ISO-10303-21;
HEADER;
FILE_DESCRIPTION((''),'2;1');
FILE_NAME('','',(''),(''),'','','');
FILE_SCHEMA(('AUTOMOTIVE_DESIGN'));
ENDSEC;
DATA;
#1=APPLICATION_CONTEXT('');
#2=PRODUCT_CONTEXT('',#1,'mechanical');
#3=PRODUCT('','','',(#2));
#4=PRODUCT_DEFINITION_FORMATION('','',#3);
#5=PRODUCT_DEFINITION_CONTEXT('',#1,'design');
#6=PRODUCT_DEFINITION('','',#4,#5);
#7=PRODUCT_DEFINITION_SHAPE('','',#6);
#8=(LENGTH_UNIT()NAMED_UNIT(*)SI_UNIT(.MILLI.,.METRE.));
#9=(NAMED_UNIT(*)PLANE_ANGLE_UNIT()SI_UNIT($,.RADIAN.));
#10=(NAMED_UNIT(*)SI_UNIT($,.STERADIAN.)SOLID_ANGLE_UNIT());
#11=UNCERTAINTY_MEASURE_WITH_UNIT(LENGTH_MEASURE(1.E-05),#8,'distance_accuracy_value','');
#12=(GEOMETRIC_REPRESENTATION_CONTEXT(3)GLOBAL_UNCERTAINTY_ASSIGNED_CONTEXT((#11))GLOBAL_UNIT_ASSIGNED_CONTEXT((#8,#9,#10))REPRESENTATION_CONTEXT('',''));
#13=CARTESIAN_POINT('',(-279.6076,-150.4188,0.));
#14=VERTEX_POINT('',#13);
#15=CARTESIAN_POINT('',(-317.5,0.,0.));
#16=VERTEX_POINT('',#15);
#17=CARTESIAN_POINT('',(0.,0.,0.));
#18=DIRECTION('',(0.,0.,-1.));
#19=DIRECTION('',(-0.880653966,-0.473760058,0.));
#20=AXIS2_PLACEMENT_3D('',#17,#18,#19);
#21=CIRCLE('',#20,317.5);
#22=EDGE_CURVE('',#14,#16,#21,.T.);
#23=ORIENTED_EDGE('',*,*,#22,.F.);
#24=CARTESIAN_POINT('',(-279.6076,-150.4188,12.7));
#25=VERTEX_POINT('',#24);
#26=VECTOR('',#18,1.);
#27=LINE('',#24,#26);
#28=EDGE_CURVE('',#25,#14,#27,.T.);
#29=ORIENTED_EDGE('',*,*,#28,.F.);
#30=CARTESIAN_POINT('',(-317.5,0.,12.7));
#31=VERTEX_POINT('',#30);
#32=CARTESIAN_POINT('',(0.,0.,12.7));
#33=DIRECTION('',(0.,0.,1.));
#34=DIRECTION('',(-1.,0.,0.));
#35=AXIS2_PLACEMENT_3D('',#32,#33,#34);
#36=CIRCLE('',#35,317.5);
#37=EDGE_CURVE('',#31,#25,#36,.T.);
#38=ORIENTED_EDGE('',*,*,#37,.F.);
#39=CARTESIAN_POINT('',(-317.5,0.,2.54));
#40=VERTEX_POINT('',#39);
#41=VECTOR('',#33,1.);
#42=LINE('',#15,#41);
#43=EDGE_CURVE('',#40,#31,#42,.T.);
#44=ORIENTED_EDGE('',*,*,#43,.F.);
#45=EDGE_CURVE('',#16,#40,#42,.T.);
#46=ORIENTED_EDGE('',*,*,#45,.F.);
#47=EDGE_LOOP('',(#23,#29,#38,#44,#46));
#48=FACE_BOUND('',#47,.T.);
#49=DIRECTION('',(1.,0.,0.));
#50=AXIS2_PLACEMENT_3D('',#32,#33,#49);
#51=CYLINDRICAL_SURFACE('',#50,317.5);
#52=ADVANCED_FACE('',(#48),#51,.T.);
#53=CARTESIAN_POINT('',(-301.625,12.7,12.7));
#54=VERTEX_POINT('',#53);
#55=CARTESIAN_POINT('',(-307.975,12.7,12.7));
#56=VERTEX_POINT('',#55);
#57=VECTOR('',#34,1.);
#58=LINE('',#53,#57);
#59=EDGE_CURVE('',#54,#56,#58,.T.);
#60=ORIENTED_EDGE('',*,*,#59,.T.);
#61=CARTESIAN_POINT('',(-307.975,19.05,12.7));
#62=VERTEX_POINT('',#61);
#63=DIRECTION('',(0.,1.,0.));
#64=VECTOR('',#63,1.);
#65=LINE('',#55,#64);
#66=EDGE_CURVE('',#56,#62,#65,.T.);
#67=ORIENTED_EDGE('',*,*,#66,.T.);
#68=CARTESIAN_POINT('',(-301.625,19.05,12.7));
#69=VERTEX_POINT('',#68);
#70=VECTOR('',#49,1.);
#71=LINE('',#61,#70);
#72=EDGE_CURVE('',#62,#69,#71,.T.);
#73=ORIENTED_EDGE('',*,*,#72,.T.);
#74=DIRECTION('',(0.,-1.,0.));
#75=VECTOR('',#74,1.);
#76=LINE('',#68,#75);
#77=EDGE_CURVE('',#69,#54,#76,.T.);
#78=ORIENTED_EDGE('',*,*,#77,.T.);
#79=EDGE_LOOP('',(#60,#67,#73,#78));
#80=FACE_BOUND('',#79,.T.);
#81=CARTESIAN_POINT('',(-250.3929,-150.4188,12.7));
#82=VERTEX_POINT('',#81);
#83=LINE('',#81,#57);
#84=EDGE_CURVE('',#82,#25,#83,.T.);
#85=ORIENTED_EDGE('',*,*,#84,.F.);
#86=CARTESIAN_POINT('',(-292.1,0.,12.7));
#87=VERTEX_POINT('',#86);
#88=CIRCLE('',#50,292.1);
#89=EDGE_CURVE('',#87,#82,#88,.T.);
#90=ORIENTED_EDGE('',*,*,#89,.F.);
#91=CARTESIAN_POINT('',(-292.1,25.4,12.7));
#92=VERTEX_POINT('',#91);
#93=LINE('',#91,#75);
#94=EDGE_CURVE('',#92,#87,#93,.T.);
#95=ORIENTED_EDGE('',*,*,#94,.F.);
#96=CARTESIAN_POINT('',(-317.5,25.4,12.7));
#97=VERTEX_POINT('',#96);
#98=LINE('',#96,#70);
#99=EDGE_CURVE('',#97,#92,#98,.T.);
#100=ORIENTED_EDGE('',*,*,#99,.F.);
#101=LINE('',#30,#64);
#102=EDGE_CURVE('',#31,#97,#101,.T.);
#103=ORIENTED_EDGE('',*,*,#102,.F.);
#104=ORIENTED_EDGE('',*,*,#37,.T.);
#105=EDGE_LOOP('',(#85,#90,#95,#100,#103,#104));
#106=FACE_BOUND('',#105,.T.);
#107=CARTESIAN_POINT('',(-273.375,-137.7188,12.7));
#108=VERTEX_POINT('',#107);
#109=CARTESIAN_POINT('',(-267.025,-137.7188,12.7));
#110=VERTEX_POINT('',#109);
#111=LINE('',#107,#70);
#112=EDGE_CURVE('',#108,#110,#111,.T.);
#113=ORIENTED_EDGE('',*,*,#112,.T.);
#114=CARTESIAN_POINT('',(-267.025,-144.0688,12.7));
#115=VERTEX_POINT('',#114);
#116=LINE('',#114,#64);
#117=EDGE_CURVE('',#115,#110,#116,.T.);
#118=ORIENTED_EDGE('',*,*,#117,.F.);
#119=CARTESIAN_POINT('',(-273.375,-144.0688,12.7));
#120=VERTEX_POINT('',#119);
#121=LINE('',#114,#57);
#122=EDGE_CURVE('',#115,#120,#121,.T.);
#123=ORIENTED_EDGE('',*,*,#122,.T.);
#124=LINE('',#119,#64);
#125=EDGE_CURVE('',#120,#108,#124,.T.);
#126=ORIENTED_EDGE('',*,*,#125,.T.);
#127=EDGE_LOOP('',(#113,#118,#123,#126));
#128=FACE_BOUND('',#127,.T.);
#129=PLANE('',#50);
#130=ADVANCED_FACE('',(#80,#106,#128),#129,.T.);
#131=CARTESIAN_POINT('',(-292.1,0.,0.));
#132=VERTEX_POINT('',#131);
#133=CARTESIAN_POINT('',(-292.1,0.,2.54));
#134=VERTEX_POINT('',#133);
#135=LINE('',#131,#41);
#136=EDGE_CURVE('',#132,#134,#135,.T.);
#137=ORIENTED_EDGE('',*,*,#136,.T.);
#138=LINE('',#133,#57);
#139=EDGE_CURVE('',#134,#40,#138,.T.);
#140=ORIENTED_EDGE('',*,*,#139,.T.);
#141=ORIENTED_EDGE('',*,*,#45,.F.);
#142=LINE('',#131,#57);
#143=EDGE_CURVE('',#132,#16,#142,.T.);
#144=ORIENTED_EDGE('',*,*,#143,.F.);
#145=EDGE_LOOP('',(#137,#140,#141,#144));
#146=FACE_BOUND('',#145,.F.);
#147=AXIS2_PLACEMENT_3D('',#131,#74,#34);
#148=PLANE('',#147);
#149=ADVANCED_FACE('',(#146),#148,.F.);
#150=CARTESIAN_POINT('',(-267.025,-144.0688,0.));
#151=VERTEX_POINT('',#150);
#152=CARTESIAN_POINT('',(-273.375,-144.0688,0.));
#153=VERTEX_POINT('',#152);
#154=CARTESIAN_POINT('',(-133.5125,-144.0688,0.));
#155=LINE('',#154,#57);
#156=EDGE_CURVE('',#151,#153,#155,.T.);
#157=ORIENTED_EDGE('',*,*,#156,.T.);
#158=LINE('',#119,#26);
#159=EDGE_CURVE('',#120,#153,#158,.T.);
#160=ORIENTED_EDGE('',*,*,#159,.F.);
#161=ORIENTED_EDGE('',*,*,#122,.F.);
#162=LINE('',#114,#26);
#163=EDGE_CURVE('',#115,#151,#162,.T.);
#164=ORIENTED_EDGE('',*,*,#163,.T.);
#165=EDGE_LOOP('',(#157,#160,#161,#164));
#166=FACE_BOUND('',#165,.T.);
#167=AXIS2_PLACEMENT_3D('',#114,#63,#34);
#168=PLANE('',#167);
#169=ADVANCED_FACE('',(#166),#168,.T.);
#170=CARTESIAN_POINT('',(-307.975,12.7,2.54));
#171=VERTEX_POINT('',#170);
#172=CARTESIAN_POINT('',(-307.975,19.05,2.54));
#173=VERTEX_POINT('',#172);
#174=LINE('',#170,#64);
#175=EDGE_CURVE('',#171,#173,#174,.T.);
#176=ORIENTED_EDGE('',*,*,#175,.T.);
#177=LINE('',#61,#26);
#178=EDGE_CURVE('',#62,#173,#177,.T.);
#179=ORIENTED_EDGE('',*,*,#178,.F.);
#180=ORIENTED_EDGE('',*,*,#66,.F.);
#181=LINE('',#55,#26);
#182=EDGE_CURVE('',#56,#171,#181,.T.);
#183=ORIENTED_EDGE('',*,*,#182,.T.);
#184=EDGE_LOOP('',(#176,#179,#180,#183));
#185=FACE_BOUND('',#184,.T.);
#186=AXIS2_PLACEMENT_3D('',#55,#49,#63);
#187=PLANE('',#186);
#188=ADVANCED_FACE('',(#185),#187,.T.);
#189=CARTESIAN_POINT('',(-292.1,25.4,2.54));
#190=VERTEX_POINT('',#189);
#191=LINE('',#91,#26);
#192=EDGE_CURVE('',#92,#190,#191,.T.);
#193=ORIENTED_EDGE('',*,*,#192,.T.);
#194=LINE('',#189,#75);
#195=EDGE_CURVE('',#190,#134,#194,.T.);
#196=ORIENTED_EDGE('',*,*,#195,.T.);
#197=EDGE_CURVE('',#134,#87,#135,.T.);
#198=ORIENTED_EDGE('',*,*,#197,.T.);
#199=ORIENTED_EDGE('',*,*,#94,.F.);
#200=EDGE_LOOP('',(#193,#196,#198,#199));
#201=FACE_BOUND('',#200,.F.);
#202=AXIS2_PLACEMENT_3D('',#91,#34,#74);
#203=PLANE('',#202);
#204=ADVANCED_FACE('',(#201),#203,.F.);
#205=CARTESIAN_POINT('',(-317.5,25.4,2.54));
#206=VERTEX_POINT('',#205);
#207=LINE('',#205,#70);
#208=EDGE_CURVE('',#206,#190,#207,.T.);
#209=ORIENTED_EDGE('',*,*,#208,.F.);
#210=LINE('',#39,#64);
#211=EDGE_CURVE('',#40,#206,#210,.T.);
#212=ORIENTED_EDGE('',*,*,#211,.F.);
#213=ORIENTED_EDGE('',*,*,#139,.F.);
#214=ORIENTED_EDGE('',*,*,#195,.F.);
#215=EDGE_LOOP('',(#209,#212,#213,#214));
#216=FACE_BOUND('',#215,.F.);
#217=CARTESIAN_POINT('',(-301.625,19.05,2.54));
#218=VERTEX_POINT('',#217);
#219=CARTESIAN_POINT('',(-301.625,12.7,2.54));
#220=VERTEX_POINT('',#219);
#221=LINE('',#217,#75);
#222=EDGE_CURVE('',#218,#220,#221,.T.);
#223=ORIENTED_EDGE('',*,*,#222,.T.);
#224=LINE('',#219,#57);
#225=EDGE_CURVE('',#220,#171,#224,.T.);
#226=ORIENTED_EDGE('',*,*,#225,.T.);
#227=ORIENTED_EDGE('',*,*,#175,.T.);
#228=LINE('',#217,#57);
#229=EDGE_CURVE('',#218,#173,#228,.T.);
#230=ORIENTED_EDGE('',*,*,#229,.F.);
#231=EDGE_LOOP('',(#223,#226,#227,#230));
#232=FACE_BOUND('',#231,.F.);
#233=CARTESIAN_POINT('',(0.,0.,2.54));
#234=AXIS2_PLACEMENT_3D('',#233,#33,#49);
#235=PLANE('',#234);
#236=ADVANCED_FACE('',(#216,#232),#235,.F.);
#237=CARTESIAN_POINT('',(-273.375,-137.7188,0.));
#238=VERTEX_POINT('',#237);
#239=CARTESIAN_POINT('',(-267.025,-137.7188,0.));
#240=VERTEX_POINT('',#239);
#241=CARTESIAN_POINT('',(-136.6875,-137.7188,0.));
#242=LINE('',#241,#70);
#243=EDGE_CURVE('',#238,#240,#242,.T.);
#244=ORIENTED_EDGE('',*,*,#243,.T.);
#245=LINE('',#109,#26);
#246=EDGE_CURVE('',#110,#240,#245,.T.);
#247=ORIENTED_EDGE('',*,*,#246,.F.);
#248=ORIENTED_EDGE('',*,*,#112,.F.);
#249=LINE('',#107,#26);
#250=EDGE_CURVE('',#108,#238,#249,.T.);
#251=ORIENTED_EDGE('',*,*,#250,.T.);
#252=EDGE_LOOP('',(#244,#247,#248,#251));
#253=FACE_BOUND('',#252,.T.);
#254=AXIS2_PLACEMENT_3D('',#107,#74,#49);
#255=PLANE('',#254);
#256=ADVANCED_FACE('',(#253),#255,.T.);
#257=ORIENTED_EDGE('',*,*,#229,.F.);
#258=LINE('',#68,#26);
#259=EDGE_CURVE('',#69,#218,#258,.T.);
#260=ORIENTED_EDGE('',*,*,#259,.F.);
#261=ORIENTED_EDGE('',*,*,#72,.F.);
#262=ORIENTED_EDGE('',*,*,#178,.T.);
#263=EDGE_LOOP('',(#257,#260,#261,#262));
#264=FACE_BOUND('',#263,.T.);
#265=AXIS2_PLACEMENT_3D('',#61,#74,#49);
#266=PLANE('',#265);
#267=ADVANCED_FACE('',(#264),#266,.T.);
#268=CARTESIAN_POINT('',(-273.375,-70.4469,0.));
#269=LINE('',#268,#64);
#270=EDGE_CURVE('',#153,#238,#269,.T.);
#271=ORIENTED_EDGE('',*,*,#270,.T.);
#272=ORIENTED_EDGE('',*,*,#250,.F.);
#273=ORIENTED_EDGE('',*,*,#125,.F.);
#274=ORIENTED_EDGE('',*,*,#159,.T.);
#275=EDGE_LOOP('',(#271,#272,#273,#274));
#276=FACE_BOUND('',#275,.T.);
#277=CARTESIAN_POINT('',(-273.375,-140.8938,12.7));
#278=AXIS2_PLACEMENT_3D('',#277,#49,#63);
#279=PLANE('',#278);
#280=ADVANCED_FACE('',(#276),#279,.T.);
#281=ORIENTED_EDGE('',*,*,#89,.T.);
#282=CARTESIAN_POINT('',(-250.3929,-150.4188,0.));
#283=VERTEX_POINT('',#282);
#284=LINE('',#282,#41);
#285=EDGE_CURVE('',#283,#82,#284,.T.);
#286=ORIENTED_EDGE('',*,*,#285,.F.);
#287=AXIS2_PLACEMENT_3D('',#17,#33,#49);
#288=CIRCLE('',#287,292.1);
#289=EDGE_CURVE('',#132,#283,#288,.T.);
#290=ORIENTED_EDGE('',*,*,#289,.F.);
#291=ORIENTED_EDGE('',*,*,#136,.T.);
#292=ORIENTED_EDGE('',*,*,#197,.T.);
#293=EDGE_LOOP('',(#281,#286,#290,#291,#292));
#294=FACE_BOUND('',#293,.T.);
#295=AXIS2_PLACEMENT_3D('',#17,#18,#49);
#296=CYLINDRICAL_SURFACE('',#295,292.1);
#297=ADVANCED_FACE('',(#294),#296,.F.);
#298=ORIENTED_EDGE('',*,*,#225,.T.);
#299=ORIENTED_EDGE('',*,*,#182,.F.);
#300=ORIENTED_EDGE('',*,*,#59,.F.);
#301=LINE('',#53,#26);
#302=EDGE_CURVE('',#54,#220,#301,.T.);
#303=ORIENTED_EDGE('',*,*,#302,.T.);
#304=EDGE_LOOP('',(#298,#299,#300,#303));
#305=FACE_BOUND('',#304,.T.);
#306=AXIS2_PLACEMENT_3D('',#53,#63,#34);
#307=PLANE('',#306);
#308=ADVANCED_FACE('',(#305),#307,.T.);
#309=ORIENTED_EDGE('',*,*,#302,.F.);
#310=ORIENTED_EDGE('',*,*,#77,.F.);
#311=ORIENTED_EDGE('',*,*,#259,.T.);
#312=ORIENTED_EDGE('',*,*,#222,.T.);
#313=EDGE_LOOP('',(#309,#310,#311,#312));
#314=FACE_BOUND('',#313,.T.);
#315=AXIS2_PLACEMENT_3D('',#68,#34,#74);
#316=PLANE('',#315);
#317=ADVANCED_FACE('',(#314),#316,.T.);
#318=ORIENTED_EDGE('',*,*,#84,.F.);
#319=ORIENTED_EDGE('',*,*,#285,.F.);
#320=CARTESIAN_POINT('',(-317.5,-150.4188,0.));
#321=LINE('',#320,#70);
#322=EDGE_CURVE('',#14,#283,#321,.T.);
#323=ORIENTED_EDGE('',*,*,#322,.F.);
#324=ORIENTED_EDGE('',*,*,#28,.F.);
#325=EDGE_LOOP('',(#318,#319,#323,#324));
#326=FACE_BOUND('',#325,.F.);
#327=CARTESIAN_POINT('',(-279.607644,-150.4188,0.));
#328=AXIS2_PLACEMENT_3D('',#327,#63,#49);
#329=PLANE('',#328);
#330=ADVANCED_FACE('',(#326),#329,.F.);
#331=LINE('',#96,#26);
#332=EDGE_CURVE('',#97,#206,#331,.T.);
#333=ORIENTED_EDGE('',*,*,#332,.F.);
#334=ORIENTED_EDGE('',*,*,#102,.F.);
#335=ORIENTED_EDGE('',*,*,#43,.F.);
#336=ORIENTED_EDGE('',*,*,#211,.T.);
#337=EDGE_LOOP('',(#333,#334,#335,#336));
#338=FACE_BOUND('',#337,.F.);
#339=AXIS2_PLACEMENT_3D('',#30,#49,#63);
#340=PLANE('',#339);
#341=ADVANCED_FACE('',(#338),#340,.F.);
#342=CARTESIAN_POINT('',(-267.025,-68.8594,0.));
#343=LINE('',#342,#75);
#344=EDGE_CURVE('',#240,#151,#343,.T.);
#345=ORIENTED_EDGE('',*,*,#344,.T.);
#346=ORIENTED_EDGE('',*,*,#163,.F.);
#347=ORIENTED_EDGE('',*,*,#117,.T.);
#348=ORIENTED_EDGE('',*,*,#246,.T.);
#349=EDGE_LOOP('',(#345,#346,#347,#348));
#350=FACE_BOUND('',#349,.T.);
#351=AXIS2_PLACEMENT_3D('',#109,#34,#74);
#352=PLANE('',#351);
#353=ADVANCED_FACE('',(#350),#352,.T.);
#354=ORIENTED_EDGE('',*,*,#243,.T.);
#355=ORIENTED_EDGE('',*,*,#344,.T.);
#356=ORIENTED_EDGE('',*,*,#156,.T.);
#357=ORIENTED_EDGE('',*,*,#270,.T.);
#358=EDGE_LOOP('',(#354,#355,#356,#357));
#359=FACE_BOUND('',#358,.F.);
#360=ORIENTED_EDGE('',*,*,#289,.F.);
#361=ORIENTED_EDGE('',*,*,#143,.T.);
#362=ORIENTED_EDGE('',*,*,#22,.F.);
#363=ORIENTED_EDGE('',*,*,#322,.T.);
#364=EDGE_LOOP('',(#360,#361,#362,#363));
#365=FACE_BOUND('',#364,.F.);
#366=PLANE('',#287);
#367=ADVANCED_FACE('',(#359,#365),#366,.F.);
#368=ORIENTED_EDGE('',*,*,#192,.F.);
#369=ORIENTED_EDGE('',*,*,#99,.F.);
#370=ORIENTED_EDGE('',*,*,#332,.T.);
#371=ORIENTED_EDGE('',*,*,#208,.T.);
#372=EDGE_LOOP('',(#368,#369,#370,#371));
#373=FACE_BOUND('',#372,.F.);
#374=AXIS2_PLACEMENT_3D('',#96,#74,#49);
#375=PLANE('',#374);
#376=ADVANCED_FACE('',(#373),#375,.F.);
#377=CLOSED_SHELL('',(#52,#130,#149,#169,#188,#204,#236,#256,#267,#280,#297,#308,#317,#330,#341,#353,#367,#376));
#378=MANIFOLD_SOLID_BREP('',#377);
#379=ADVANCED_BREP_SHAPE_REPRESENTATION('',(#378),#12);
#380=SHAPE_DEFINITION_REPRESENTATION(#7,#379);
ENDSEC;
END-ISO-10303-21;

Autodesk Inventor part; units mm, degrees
ref_plane "YZ Plane" through (0, 0, 0) normal (1, 0, 0) x (0, 1, 0)
ref_plane "XZ Plane" through (0, 0, 0) normal (0, 1, 0) x (-1, 0, 0)
ref_plane "XY Plane" through (0, 0, 0) normal (0, 0, 1) x (1, 0, 0)
sketch "Sketch1" plane through (0, 0, 0) normal (0, 0, 1) x (1, 0, 0)
  circle A0 centre (0, 0) radius 292.1
  line L0 (-292.1, 0) -> (-266.7, 0)
  line L1 (-292.1, 0) -> (-317.5, 0)
  circle A1 centre (0, 0) radius 317.5
  line L2 (-317.5, 0) -> (-317.5, -150.4188)
  line L3 (-317.5, -150.4188) -> (-250.3929, -150.4188)
  circle A2 centre (0, 0) radius 317.5
  dimension "d0" = 584.2
  dimension "d1" = 25.4
  dimension "d2" = 25.4
  dimension "d3" = 150.4188
extrude "Extrusion1" add sketch "Sketch1" along normal blind 12.7 contours A0 L3 A1 L1 | A1 L3 L2 picked at (-273.7775, -123.6883)
sketch "Sketch2" plane through (0, 0, 12.7) normal (0, 0, 1) x (1, 0, 0)
  line L0 (-317.5, 0) -> (-317.5, -150.4188) projected
  line L1 (-317.5, -150.4188) -> (-250.3929, -150.4188) projected
  arc A0 (-292.1, 0) -> (-250.3929, -150.4188) centre (0, 0) ccw projected
  circle A1 centre (0, 0) radius 292.1
  circle A2 centre (0, 0) radius 317.5
  line L2 (-317.5, 0) -> (-317.5, -150.4188)
  line L3 (-317.5, -150.4188) -> (-279.6076, -150.4188)
extrude "Extrusion2" cut sketch "Sketch2" against normal blind 25.4 contours A2 L1 L0
sketch "Sketch3" plane through (0, 0, 12.7) normal (0, 0, 1) x (1, 0, 0)
  arc A0 (-317.5, 0) -> (-279.6076, -150.4188) centre (0, 0) ccw projected
  arc A1 (-292.1, 0) -> (-250.3929, -150.4188) centre (0, 0) ccw projected
  line L0 (-279.6076, -150.4188) -> (-304.8, -150.4188)
  line L1 (-284.5263, -140.8938) -> (-284.5263, -150.4188)
  line L2 (-284.5263, -140.8938) -> (-255.8737, -140.8938)
  line L3 (-270.2, -137.7188) -> (-267.025, -137.7188)
  line L4 (-267.025, -137.7188) -> (-267.025, -144.0688)
  line L5 (-267.025, -144.0688) -> (-273.375, -144.0688)
  line L6 (-273.375, -144.0688) -> (-273.375, -137.7188)
  line L7 (-273.375, -137.7188) -> (-270.2, -137.7188)
  dimension "d14" = 9.525
  dimension "d16" = 3.175
  dimension "d17" = 6.35
  dimension "d18" = 6.35
  dimension "d19" = 3.175
  dimension "d20" = 4.9186
  dimension "d21" = 11.1513
extrude "Extrusion3" cut sketch "Sketch3" against normal blind 25.4
sketch "Sketch4" plane through (0, 0, 12.7) normal (0, 0, 1) x (1, 0, 0)
  arc A0 (-317.5, 0) -> (-279.6076, -150.4188) centre (0, 0) ccw projected
  arc A1 (-292.1, 0) -> (-250.3929, -150.4188) centre (0, 0) ccw projected
  line L0 (-292.1, 0) -> (-317.5, 0) projected
  line L1 (-317.5, 0) -> (-317.5, 25.4)
  line L2 (-317.5, 25.4) -> (-292.1, 25.4)
  line L3 (-292.1, 25.4) -> (-292.1, 0)
  line L4 (-317.5, 0) -> (-292.1, 0)
  dimension "d24" = 25.4
extrude "Extrusion4" add sketch "Sketch4" against normal blind 10.16
sketch "Sketch5" plane through (0, 0, 12.7) normal (0, 0, 1) x (1, 0, 0)
  line L0 (-292.1, 0) -> (-292.1, 25.4) projected
  line L1 (-292.1, 25.4) -> (-317.5, 25.4) projected
  line L2 (-317.5, 25.4) -> (-317.5, 0) projected
  line L3 (-304.8, 25.4) -> (-304.8, 19.05)
  line L4 (-304.8, 19.05) -> (-301.625, 19.05)
  line L5 (-301.625, 19.05) -> (-301.625, 12.7)
  line L6 (-301.625, 12.7) -> (-307.975, 12.7)
  line L7 (-307.975, 12.7) -> (-307.975, 19.05)
  line L8 (-307.975, 19.05) -> (-304.8, 19.05)
  dimension "d27" = 6.35
  dimension "d28" = 3.175
  dimension "d29" = 6.35
  dimension "d30" = 6.35
extrude "Extrusion5" cut sketch "Sketch5" against normal blind 10.16
properties part number "HopperFrontSupport_v1"
